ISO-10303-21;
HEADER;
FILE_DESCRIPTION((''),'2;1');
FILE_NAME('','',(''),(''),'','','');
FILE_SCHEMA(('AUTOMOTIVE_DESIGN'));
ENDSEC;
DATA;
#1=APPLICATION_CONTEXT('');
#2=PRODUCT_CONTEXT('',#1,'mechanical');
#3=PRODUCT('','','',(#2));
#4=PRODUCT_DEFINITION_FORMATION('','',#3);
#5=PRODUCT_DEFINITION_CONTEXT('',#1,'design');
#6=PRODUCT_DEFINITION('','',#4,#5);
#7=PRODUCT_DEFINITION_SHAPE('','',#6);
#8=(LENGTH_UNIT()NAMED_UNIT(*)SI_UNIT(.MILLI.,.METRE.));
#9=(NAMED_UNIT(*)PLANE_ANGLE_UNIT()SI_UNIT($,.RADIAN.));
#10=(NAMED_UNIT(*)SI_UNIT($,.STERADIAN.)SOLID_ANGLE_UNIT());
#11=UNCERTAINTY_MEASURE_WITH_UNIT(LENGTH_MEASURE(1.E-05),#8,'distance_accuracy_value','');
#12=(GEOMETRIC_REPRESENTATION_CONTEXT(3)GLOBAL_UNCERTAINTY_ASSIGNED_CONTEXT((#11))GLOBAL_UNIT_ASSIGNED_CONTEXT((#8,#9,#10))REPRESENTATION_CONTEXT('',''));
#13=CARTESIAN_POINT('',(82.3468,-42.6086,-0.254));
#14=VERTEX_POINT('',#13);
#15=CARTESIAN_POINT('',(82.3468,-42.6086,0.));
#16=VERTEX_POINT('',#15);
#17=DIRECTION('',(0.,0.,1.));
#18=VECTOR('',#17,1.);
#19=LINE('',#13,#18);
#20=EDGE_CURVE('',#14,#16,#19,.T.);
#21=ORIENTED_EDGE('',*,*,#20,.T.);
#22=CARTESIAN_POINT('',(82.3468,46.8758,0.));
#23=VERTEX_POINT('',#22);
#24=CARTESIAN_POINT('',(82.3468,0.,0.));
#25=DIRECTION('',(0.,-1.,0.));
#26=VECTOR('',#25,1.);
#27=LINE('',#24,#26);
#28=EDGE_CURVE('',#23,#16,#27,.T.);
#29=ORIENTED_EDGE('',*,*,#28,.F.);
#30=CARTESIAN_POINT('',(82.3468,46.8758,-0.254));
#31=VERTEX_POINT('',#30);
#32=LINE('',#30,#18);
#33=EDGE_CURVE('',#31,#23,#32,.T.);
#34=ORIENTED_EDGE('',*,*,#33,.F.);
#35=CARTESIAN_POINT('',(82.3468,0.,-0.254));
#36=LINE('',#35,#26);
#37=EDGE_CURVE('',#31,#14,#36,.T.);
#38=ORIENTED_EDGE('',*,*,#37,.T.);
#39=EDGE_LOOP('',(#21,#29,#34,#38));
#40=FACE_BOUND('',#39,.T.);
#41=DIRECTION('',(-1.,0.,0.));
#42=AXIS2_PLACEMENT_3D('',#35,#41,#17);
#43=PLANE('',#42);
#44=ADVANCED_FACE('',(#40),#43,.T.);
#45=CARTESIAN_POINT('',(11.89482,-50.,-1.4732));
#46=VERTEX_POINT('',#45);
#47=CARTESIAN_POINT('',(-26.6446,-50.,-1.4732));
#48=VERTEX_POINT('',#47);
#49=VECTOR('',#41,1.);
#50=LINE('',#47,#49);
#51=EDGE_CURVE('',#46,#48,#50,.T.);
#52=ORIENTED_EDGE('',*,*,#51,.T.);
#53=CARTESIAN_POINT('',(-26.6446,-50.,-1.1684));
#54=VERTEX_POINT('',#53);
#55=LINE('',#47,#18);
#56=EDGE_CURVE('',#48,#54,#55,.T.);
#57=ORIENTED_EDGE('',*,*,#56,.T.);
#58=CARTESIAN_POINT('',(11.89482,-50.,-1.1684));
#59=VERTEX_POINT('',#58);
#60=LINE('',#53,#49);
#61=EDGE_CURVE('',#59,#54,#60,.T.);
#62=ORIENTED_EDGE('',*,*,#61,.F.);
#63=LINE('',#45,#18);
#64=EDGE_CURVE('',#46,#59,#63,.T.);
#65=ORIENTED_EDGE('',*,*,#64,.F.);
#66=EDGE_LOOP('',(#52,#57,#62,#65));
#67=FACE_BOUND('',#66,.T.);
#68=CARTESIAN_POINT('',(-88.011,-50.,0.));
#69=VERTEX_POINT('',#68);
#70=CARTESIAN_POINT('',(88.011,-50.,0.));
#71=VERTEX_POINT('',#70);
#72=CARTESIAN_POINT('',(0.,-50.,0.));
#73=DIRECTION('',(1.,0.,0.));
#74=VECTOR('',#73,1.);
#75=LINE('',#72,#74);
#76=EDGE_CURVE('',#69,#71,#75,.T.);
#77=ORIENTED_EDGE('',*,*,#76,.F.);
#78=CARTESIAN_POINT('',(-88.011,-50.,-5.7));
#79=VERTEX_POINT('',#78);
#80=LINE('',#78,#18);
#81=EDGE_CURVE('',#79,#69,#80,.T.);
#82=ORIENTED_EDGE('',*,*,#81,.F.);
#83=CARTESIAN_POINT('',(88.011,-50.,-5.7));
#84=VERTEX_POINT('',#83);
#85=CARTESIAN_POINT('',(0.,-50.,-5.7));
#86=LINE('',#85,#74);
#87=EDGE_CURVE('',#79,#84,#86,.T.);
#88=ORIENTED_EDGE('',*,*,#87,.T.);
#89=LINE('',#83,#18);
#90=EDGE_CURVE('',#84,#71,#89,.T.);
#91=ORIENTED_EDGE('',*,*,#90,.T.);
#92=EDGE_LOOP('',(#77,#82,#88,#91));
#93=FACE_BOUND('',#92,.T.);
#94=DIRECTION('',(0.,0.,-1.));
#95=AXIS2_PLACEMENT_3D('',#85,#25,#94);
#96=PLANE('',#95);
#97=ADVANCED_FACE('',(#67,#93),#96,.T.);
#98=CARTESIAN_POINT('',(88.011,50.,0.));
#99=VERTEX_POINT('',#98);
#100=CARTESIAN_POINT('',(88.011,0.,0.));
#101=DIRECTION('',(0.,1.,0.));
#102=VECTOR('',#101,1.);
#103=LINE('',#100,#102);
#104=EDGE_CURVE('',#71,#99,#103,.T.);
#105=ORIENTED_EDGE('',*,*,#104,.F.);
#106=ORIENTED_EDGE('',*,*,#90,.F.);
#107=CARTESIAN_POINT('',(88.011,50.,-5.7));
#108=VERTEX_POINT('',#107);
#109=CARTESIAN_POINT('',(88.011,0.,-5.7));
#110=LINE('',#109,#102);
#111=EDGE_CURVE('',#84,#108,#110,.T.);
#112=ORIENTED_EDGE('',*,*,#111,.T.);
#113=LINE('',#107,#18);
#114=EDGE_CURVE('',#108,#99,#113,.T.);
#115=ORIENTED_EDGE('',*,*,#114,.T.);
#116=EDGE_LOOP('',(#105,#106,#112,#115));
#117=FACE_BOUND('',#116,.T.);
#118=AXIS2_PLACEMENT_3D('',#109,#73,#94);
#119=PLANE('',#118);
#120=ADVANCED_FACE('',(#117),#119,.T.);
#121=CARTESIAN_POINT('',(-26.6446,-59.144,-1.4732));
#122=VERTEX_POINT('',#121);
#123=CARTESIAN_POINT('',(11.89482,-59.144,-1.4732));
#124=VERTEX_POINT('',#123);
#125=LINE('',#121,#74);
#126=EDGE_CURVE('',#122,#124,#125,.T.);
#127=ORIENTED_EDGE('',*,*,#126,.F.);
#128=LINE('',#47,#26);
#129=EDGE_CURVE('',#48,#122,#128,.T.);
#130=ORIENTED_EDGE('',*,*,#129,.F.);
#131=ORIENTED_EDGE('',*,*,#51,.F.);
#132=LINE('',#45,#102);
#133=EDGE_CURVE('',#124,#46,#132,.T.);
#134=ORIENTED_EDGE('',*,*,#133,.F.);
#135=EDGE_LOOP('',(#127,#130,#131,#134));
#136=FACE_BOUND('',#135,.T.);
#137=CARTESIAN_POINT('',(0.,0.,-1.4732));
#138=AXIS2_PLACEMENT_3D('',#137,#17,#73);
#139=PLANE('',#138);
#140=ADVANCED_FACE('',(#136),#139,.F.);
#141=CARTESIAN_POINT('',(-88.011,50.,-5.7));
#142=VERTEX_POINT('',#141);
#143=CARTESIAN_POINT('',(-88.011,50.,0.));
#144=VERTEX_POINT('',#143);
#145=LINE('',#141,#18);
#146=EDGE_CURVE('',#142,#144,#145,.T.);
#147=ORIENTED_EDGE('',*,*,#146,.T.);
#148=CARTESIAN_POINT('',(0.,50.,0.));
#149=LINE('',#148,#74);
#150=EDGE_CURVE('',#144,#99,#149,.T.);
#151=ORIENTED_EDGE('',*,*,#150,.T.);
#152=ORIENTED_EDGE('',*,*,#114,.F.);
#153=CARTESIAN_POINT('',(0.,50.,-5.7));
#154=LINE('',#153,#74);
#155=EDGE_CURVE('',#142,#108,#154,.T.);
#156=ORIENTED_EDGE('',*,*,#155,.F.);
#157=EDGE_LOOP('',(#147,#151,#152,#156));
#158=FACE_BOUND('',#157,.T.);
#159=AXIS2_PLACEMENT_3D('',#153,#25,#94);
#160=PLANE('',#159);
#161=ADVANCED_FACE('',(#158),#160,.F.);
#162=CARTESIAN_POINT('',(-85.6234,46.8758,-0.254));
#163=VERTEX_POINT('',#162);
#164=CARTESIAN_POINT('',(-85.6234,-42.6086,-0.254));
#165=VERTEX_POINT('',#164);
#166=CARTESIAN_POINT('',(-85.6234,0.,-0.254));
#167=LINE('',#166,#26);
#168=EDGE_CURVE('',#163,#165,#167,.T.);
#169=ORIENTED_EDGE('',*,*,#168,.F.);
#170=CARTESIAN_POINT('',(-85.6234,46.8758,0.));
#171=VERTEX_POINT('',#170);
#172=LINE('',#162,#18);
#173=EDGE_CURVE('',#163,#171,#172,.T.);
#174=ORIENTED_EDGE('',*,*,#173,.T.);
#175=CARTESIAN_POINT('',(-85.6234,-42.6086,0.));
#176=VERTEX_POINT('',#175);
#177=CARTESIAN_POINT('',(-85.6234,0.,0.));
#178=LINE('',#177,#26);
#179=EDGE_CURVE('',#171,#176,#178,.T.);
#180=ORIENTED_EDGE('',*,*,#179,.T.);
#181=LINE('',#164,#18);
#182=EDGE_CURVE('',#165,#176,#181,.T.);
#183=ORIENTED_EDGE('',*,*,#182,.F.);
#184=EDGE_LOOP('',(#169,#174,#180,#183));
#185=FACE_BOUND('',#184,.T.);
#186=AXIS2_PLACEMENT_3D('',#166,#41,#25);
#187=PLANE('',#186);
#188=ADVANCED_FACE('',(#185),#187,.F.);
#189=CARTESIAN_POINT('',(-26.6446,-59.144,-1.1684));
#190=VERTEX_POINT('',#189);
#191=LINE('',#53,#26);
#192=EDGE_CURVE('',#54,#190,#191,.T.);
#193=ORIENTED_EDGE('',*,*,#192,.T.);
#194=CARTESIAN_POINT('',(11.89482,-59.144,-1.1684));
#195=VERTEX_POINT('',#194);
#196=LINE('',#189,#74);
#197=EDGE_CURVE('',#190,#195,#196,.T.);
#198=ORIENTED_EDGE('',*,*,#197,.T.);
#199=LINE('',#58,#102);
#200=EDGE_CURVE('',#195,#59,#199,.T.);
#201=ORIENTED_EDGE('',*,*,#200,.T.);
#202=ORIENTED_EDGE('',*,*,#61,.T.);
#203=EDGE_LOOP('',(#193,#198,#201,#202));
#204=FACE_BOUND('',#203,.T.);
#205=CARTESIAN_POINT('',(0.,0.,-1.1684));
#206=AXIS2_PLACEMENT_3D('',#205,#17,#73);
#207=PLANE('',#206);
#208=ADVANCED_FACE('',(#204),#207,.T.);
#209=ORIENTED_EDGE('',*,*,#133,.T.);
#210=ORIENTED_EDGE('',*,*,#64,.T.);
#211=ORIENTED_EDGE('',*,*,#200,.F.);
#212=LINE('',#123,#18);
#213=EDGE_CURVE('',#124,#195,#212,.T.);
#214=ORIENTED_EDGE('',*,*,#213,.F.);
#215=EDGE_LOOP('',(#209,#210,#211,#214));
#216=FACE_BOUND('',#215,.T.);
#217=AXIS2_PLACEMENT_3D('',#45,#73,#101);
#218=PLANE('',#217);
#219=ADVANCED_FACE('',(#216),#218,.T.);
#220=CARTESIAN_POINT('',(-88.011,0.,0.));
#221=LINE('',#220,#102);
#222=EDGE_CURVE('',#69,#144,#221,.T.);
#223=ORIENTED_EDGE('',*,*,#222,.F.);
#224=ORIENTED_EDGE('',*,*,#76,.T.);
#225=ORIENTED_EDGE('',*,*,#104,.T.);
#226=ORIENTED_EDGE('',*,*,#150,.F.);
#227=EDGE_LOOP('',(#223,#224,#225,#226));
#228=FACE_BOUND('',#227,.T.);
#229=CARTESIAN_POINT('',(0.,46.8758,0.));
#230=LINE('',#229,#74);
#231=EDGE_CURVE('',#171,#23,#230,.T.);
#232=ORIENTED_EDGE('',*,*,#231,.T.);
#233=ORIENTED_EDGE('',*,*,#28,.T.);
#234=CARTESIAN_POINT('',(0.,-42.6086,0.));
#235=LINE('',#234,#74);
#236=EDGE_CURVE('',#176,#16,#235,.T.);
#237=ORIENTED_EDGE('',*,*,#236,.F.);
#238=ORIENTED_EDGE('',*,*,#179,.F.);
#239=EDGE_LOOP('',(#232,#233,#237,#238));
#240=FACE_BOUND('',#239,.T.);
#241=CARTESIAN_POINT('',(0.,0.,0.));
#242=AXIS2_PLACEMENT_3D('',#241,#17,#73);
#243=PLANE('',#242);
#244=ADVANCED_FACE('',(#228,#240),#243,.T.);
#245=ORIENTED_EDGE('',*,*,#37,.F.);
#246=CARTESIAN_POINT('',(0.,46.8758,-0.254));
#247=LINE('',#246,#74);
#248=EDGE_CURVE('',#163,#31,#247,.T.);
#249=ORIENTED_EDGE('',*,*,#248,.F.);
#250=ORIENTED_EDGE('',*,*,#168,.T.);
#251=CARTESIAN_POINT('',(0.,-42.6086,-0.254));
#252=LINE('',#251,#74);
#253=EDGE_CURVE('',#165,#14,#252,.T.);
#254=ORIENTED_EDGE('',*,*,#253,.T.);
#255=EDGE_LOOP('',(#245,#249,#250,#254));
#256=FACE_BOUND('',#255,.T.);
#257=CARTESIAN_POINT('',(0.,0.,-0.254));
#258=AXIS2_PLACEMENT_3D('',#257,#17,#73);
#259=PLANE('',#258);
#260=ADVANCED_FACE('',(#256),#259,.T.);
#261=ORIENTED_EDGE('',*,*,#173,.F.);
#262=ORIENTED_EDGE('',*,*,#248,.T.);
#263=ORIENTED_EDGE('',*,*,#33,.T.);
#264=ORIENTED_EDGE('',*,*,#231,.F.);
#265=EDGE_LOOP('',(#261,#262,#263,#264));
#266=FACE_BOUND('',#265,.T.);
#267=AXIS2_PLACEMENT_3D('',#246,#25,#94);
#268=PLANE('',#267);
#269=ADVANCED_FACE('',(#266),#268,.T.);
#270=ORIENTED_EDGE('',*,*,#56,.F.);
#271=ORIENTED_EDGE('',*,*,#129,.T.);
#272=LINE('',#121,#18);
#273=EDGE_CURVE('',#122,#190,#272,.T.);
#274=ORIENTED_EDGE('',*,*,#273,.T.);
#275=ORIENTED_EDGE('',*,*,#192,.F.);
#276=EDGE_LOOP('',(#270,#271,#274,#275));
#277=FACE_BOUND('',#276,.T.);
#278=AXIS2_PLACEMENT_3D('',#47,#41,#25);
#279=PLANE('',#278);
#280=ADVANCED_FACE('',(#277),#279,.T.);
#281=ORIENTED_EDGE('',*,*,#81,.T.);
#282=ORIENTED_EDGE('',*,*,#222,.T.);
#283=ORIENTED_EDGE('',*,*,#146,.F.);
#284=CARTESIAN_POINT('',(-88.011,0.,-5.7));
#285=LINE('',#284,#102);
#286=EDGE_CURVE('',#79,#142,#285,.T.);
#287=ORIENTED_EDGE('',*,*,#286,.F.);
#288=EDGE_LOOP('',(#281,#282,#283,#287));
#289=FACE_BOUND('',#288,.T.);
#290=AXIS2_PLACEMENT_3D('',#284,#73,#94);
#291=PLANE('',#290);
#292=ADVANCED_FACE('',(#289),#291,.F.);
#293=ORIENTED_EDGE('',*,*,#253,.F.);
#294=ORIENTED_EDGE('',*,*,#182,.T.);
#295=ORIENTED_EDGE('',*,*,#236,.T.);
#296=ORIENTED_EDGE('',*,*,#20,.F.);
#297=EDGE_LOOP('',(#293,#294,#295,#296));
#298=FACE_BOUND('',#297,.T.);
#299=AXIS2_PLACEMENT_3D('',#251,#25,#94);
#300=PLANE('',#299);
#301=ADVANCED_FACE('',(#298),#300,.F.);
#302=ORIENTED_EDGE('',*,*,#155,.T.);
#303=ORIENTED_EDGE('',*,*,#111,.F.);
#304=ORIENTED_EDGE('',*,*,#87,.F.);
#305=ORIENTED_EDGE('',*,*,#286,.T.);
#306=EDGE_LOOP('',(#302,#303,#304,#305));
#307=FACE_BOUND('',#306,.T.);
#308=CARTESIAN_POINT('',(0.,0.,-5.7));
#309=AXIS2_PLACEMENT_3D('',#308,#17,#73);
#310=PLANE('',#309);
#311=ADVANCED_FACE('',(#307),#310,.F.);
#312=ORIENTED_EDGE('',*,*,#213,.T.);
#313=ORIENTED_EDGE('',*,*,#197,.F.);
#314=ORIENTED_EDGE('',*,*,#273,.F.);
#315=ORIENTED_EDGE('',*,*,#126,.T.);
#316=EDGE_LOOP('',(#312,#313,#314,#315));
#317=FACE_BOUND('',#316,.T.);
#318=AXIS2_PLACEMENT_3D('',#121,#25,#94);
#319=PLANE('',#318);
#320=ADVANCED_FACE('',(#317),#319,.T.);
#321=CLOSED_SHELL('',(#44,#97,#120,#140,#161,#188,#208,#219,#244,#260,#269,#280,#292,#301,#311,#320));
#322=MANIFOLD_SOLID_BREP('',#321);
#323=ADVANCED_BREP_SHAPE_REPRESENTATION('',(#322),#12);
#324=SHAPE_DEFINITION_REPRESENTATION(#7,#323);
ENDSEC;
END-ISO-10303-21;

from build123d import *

# Parameters (mm, degrees)
SKETCH1_W           = 176.022
SKETCH1_H           = 100
BOSS_EXTRUDE1_DEPTH = 5.7
SKETCH1_3_W         = 167.9702
SKETCH1_3_H         = 89.4844
CUT_EXTRUDE1_DEPTH  = 0.254
BOSS_EXTRUDE2_START = -1.1684
SKETCH2_W           = 38.53942
SKETCH2_H           = 9.144
BOSS_EXTRUDE2_DEPTH = 0.3048


with BuildPart() as part:
    # Sketch1 → Boss-Extrude1 (new body)
    with BuildSketch(Plane.XY):
        Rectangle(SKETCH1_W, SKETCH1_H)
    extrude(amount=-BOSS_EXTRUDE1_DEPTH)

    # Sketch1<3> → Cut-Extrude1 (cut)
    with BuildSketch(Plane.XY):
        with Locations((-1.6383, 2.1336)):
            Rectangle(SKETCH1_3_W, SKETCH1_3_H)
    extrude(amount=-CUT_EXTRUDE1_DEPTH, mode=Mode.SUBTRACT)

    # Sketch2 → Boss-Extrude2 (add)
    with BuildSketch(Plane.XY.offset(BOSS_EXTRUDE2_START)):
        with Locations((-7.37489, -54.572)):
            Rectangle(SKETCH2_W, SKETCH2_H)
    extrude(amount=-BOSS_EXTRUDE2_DEPTH)


solid = part.part
